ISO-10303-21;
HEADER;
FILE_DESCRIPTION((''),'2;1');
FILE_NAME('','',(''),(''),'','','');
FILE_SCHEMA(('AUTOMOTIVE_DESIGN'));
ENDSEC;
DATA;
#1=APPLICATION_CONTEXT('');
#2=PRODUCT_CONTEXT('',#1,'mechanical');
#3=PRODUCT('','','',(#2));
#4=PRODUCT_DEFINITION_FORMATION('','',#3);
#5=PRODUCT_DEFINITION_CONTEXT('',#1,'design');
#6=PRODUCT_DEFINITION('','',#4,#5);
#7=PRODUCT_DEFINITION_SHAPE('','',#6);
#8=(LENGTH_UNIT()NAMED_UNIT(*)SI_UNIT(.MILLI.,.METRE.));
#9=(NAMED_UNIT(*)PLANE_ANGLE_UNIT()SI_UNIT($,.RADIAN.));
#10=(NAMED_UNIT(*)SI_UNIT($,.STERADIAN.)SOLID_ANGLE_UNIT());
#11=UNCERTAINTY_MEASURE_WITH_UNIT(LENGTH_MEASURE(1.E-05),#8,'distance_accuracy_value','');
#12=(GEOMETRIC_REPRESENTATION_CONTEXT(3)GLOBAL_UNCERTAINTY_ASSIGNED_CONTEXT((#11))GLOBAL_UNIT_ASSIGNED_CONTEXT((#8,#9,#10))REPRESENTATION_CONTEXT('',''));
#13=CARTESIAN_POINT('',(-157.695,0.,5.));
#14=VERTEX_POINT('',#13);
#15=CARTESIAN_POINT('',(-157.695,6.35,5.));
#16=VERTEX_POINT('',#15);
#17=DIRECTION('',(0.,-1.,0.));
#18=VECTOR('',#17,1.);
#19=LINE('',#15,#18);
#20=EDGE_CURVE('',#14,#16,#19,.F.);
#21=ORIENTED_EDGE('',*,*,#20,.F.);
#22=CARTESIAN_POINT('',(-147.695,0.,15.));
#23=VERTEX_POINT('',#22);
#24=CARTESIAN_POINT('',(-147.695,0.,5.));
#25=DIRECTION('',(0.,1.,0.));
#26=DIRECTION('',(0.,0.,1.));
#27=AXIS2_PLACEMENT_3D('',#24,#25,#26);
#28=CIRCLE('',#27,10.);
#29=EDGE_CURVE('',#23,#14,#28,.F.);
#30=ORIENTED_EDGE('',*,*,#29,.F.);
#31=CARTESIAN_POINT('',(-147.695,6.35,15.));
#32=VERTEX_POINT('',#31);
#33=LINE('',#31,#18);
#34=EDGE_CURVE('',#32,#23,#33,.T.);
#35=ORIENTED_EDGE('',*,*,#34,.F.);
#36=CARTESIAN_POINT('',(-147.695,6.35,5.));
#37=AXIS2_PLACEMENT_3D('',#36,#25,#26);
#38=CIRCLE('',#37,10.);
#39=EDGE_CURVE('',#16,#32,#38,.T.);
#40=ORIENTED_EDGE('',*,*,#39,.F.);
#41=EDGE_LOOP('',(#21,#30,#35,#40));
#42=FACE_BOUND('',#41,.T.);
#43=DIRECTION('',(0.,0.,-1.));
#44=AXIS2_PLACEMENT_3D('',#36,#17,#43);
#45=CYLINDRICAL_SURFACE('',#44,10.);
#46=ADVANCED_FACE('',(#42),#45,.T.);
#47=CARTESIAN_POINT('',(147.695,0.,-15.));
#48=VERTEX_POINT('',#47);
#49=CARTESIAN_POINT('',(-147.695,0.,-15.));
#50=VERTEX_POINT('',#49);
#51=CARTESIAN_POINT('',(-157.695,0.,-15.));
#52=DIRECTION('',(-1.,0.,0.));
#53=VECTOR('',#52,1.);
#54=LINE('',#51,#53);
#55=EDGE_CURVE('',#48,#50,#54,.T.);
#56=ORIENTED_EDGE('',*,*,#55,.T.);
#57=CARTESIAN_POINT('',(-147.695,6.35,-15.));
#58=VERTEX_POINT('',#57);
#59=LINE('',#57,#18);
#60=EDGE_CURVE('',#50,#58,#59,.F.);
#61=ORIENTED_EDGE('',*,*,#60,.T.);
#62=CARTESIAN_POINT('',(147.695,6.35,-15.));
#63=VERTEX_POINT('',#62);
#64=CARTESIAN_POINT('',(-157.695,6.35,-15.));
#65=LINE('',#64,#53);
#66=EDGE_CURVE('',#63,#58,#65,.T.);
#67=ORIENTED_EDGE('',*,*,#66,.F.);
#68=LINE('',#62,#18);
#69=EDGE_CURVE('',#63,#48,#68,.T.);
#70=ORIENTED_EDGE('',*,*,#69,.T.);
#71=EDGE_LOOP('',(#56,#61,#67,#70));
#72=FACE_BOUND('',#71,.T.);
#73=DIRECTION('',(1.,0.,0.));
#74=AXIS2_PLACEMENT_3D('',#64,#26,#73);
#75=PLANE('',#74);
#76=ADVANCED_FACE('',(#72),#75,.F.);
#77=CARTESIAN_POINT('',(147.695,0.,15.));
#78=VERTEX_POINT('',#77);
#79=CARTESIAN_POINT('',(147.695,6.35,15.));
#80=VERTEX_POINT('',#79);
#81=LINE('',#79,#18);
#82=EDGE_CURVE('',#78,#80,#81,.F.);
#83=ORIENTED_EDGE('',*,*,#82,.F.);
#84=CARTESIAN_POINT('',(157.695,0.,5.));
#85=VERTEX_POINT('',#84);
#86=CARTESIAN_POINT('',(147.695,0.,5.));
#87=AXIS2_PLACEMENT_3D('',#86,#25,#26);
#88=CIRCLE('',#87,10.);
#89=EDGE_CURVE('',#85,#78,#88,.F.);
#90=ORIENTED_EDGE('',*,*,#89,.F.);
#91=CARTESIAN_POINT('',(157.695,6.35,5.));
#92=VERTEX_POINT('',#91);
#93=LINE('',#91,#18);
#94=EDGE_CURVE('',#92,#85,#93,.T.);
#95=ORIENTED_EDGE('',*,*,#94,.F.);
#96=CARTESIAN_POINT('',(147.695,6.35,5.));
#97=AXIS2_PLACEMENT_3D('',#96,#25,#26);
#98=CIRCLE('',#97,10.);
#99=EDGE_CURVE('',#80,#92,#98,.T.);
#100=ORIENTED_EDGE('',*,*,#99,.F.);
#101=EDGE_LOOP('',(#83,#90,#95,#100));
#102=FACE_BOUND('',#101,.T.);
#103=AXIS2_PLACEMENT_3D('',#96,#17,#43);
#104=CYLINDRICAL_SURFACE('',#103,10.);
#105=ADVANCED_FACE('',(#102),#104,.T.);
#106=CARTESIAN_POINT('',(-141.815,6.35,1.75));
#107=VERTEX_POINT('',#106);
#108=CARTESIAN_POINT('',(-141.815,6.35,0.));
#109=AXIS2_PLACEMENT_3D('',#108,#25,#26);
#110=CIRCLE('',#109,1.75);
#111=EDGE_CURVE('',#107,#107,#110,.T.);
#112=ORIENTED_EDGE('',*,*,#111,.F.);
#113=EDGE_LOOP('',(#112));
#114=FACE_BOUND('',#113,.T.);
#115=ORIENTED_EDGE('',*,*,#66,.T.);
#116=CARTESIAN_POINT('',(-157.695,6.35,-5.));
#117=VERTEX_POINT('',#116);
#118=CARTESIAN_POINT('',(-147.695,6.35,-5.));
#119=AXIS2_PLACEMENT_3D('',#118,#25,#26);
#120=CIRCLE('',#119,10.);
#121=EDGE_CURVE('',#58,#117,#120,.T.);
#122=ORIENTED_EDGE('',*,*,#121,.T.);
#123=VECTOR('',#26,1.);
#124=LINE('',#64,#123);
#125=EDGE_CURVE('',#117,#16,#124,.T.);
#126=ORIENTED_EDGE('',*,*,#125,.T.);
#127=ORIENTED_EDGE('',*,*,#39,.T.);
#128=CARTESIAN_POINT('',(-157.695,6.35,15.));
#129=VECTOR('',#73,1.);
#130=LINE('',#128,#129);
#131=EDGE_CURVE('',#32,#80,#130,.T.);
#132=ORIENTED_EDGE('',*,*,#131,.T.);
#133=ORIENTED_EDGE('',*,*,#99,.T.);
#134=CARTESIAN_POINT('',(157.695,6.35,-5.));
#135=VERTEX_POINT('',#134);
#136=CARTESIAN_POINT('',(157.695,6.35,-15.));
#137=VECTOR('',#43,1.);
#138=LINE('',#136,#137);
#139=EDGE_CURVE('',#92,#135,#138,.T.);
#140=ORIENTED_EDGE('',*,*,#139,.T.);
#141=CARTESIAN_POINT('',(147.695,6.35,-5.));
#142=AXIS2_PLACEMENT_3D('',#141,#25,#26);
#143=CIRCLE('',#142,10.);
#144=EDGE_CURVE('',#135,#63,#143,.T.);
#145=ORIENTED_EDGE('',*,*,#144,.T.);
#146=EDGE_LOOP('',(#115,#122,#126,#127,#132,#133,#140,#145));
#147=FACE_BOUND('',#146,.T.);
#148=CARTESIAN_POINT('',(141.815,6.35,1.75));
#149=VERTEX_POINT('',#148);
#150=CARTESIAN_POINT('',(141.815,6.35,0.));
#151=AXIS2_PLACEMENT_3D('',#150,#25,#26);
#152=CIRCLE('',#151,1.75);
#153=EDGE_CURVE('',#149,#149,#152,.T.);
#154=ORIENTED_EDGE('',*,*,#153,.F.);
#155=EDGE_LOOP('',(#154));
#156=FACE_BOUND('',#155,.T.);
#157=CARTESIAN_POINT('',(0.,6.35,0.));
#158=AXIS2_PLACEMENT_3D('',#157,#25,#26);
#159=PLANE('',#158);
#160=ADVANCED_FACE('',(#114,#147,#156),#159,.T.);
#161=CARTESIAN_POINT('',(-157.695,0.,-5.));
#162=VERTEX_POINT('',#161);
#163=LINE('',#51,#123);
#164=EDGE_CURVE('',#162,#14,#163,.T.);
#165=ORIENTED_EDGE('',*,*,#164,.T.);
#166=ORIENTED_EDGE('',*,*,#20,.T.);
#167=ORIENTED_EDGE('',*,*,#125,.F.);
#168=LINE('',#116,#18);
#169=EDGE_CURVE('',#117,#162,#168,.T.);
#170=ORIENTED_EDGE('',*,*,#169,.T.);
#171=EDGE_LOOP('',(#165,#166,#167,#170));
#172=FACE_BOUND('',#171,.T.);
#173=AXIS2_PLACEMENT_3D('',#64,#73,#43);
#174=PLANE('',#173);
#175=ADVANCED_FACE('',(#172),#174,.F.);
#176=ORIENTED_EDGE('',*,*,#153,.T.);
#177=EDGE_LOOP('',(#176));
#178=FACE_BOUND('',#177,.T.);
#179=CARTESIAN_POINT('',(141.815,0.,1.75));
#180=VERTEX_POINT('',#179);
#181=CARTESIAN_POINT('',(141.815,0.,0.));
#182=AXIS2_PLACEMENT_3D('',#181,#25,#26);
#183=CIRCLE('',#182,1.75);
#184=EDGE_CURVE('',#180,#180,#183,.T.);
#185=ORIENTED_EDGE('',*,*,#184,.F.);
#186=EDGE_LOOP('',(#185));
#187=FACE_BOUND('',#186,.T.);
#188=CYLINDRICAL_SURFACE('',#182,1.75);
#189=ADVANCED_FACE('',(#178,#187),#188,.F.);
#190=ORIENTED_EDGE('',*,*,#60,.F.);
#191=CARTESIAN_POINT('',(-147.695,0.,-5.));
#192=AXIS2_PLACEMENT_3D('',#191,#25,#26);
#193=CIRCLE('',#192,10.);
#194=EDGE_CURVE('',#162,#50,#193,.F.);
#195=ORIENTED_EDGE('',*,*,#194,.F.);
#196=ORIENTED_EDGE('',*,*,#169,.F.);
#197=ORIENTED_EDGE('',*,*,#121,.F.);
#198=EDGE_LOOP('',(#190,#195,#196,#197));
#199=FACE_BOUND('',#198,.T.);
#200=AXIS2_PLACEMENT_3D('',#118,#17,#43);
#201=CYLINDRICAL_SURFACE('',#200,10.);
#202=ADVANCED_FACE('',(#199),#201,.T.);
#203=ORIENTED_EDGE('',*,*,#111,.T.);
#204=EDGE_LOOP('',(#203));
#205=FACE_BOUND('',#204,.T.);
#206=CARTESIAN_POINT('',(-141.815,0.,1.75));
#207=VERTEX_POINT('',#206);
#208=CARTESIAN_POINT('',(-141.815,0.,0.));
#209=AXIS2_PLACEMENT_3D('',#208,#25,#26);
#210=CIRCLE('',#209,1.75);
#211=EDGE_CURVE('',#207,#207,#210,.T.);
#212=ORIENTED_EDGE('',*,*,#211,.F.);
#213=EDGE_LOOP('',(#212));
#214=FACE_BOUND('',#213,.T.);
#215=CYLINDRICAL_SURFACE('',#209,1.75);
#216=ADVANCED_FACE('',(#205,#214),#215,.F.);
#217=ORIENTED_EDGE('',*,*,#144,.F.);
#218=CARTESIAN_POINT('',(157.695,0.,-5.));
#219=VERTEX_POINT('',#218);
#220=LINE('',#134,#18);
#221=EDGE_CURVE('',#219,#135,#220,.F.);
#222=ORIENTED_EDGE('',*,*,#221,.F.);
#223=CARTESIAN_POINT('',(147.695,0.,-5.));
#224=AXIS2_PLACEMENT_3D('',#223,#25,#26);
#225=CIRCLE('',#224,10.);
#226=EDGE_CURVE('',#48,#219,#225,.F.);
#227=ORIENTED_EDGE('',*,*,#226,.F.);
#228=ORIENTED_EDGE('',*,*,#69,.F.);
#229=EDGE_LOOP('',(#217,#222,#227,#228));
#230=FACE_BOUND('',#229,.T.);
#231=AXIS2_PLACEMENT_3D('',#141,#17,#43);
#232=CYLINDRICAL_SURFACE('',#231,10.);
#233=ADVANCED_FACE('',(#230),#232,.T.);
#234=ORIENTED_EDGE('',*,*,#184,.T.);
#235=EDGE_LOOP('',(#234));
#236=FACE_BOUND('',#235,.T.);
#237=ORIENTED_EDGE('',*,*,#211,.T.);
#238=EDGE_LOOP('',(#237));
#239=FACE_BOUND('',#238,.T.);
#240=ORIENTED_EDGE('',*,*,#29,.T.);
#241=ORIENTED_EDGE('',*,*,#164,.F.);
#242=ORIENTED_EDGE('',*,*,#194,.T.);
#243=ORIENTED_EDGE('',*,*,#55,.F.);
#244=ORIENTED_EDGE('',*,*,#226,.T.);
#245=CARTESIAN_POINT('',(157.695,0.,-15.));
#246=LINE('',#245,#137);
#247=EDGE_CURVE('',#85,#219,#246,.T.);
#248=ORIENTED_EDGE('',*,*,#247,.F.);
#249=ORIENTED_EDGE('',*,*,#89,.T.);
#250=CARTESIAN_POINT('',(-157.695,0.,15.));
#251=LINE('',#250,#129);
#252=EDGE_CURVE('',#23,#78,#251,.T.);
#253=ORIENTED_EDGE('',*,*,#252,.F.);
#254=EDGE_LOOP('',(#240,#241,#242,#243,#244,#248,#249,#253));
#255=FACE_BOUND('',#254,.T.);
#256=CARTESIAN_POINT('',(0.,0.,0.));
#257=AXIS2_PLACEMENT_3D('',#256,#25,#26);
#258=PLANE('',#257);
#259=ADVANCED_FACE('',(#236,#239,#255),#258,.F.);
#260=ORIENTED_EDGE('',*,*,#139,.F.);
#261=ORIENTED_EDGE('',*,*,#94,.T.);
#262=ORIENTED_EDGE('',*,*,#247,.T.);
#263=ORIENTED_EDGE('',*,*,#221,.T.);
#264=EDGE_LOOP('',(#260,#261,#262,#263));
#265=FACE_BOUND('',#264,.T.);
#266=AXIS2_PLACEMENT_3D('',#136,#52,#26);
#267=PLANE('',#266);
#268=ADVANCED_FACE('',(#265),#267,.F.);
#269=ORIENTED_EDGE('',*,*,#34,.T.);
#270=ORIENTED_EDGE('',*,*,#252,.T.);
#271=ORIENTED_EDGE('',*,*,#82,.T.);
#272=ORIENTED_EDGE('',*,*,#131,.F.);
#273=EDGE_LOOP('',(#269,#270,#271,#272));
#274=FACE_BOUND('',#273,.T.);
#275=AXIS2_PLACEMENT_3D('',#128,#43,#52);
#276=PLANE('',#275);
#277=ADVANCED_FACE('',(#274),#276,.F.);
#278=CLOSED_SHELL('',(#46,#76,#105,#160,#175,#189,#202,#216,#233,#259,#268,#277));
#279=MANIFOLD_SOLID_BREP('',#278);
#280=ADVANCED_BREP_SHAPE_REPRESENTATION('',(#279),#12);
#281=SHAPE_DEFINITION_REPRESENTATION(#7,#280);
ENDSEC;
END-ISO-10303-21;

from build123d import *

# Parameters (mm, degrees)
SKETCH1_W           = 315.39
SKETCH1_H           = 30
BOSS_EXTRUDE1_DEPTH = 6.35
SKETCH4_R           = 1.75
CUT_EXTRUDE3_DEPTH  = 7.35
FILLET3_R           = 10


with BuildPart() as part:
    # Sketch1 → Boss-Extrude1 (new body)
    with BuildSketch(Plane(origin=(0, 0, 0), x_dir=(1, 0, 0), z_dir=(0, 1, 0))):
        Rectangle(SKETCH1_W, SKETCH1_H)
    extrude(amount=BOSS_EXTRUDE1_DEPTH)

    # Sketch4 → Cut-Extrude3 (cut, through all)
    with BuildSketch(Plane(origin=(0, 6.35, 0), x_dir=(1, 0, 0), z_dir=(0, 1, 0))):
        with Locations((-141.815, 0)):
            Circle(SKETCH4_R)
        with Locations((141.815, 0)):
            Circle(SKETCH4_R)
    extrude(amount=-CUT_EXTRUDE3_DEPTH, mode=Mode.SUBTRACT)

    # Fillet3
    fillet3_edges = [part.edges().sort_by_distance(p)[0] for p in [
        (157.695, 3.175, 15),
        (-157.695, 3.175, 15),
        (-157.695, 3.175, -15),
        (157.695, 3.175, -15),
    ]]
    fillet(fillet3_edges, radius=FILLET3_R)


solid = part.part
